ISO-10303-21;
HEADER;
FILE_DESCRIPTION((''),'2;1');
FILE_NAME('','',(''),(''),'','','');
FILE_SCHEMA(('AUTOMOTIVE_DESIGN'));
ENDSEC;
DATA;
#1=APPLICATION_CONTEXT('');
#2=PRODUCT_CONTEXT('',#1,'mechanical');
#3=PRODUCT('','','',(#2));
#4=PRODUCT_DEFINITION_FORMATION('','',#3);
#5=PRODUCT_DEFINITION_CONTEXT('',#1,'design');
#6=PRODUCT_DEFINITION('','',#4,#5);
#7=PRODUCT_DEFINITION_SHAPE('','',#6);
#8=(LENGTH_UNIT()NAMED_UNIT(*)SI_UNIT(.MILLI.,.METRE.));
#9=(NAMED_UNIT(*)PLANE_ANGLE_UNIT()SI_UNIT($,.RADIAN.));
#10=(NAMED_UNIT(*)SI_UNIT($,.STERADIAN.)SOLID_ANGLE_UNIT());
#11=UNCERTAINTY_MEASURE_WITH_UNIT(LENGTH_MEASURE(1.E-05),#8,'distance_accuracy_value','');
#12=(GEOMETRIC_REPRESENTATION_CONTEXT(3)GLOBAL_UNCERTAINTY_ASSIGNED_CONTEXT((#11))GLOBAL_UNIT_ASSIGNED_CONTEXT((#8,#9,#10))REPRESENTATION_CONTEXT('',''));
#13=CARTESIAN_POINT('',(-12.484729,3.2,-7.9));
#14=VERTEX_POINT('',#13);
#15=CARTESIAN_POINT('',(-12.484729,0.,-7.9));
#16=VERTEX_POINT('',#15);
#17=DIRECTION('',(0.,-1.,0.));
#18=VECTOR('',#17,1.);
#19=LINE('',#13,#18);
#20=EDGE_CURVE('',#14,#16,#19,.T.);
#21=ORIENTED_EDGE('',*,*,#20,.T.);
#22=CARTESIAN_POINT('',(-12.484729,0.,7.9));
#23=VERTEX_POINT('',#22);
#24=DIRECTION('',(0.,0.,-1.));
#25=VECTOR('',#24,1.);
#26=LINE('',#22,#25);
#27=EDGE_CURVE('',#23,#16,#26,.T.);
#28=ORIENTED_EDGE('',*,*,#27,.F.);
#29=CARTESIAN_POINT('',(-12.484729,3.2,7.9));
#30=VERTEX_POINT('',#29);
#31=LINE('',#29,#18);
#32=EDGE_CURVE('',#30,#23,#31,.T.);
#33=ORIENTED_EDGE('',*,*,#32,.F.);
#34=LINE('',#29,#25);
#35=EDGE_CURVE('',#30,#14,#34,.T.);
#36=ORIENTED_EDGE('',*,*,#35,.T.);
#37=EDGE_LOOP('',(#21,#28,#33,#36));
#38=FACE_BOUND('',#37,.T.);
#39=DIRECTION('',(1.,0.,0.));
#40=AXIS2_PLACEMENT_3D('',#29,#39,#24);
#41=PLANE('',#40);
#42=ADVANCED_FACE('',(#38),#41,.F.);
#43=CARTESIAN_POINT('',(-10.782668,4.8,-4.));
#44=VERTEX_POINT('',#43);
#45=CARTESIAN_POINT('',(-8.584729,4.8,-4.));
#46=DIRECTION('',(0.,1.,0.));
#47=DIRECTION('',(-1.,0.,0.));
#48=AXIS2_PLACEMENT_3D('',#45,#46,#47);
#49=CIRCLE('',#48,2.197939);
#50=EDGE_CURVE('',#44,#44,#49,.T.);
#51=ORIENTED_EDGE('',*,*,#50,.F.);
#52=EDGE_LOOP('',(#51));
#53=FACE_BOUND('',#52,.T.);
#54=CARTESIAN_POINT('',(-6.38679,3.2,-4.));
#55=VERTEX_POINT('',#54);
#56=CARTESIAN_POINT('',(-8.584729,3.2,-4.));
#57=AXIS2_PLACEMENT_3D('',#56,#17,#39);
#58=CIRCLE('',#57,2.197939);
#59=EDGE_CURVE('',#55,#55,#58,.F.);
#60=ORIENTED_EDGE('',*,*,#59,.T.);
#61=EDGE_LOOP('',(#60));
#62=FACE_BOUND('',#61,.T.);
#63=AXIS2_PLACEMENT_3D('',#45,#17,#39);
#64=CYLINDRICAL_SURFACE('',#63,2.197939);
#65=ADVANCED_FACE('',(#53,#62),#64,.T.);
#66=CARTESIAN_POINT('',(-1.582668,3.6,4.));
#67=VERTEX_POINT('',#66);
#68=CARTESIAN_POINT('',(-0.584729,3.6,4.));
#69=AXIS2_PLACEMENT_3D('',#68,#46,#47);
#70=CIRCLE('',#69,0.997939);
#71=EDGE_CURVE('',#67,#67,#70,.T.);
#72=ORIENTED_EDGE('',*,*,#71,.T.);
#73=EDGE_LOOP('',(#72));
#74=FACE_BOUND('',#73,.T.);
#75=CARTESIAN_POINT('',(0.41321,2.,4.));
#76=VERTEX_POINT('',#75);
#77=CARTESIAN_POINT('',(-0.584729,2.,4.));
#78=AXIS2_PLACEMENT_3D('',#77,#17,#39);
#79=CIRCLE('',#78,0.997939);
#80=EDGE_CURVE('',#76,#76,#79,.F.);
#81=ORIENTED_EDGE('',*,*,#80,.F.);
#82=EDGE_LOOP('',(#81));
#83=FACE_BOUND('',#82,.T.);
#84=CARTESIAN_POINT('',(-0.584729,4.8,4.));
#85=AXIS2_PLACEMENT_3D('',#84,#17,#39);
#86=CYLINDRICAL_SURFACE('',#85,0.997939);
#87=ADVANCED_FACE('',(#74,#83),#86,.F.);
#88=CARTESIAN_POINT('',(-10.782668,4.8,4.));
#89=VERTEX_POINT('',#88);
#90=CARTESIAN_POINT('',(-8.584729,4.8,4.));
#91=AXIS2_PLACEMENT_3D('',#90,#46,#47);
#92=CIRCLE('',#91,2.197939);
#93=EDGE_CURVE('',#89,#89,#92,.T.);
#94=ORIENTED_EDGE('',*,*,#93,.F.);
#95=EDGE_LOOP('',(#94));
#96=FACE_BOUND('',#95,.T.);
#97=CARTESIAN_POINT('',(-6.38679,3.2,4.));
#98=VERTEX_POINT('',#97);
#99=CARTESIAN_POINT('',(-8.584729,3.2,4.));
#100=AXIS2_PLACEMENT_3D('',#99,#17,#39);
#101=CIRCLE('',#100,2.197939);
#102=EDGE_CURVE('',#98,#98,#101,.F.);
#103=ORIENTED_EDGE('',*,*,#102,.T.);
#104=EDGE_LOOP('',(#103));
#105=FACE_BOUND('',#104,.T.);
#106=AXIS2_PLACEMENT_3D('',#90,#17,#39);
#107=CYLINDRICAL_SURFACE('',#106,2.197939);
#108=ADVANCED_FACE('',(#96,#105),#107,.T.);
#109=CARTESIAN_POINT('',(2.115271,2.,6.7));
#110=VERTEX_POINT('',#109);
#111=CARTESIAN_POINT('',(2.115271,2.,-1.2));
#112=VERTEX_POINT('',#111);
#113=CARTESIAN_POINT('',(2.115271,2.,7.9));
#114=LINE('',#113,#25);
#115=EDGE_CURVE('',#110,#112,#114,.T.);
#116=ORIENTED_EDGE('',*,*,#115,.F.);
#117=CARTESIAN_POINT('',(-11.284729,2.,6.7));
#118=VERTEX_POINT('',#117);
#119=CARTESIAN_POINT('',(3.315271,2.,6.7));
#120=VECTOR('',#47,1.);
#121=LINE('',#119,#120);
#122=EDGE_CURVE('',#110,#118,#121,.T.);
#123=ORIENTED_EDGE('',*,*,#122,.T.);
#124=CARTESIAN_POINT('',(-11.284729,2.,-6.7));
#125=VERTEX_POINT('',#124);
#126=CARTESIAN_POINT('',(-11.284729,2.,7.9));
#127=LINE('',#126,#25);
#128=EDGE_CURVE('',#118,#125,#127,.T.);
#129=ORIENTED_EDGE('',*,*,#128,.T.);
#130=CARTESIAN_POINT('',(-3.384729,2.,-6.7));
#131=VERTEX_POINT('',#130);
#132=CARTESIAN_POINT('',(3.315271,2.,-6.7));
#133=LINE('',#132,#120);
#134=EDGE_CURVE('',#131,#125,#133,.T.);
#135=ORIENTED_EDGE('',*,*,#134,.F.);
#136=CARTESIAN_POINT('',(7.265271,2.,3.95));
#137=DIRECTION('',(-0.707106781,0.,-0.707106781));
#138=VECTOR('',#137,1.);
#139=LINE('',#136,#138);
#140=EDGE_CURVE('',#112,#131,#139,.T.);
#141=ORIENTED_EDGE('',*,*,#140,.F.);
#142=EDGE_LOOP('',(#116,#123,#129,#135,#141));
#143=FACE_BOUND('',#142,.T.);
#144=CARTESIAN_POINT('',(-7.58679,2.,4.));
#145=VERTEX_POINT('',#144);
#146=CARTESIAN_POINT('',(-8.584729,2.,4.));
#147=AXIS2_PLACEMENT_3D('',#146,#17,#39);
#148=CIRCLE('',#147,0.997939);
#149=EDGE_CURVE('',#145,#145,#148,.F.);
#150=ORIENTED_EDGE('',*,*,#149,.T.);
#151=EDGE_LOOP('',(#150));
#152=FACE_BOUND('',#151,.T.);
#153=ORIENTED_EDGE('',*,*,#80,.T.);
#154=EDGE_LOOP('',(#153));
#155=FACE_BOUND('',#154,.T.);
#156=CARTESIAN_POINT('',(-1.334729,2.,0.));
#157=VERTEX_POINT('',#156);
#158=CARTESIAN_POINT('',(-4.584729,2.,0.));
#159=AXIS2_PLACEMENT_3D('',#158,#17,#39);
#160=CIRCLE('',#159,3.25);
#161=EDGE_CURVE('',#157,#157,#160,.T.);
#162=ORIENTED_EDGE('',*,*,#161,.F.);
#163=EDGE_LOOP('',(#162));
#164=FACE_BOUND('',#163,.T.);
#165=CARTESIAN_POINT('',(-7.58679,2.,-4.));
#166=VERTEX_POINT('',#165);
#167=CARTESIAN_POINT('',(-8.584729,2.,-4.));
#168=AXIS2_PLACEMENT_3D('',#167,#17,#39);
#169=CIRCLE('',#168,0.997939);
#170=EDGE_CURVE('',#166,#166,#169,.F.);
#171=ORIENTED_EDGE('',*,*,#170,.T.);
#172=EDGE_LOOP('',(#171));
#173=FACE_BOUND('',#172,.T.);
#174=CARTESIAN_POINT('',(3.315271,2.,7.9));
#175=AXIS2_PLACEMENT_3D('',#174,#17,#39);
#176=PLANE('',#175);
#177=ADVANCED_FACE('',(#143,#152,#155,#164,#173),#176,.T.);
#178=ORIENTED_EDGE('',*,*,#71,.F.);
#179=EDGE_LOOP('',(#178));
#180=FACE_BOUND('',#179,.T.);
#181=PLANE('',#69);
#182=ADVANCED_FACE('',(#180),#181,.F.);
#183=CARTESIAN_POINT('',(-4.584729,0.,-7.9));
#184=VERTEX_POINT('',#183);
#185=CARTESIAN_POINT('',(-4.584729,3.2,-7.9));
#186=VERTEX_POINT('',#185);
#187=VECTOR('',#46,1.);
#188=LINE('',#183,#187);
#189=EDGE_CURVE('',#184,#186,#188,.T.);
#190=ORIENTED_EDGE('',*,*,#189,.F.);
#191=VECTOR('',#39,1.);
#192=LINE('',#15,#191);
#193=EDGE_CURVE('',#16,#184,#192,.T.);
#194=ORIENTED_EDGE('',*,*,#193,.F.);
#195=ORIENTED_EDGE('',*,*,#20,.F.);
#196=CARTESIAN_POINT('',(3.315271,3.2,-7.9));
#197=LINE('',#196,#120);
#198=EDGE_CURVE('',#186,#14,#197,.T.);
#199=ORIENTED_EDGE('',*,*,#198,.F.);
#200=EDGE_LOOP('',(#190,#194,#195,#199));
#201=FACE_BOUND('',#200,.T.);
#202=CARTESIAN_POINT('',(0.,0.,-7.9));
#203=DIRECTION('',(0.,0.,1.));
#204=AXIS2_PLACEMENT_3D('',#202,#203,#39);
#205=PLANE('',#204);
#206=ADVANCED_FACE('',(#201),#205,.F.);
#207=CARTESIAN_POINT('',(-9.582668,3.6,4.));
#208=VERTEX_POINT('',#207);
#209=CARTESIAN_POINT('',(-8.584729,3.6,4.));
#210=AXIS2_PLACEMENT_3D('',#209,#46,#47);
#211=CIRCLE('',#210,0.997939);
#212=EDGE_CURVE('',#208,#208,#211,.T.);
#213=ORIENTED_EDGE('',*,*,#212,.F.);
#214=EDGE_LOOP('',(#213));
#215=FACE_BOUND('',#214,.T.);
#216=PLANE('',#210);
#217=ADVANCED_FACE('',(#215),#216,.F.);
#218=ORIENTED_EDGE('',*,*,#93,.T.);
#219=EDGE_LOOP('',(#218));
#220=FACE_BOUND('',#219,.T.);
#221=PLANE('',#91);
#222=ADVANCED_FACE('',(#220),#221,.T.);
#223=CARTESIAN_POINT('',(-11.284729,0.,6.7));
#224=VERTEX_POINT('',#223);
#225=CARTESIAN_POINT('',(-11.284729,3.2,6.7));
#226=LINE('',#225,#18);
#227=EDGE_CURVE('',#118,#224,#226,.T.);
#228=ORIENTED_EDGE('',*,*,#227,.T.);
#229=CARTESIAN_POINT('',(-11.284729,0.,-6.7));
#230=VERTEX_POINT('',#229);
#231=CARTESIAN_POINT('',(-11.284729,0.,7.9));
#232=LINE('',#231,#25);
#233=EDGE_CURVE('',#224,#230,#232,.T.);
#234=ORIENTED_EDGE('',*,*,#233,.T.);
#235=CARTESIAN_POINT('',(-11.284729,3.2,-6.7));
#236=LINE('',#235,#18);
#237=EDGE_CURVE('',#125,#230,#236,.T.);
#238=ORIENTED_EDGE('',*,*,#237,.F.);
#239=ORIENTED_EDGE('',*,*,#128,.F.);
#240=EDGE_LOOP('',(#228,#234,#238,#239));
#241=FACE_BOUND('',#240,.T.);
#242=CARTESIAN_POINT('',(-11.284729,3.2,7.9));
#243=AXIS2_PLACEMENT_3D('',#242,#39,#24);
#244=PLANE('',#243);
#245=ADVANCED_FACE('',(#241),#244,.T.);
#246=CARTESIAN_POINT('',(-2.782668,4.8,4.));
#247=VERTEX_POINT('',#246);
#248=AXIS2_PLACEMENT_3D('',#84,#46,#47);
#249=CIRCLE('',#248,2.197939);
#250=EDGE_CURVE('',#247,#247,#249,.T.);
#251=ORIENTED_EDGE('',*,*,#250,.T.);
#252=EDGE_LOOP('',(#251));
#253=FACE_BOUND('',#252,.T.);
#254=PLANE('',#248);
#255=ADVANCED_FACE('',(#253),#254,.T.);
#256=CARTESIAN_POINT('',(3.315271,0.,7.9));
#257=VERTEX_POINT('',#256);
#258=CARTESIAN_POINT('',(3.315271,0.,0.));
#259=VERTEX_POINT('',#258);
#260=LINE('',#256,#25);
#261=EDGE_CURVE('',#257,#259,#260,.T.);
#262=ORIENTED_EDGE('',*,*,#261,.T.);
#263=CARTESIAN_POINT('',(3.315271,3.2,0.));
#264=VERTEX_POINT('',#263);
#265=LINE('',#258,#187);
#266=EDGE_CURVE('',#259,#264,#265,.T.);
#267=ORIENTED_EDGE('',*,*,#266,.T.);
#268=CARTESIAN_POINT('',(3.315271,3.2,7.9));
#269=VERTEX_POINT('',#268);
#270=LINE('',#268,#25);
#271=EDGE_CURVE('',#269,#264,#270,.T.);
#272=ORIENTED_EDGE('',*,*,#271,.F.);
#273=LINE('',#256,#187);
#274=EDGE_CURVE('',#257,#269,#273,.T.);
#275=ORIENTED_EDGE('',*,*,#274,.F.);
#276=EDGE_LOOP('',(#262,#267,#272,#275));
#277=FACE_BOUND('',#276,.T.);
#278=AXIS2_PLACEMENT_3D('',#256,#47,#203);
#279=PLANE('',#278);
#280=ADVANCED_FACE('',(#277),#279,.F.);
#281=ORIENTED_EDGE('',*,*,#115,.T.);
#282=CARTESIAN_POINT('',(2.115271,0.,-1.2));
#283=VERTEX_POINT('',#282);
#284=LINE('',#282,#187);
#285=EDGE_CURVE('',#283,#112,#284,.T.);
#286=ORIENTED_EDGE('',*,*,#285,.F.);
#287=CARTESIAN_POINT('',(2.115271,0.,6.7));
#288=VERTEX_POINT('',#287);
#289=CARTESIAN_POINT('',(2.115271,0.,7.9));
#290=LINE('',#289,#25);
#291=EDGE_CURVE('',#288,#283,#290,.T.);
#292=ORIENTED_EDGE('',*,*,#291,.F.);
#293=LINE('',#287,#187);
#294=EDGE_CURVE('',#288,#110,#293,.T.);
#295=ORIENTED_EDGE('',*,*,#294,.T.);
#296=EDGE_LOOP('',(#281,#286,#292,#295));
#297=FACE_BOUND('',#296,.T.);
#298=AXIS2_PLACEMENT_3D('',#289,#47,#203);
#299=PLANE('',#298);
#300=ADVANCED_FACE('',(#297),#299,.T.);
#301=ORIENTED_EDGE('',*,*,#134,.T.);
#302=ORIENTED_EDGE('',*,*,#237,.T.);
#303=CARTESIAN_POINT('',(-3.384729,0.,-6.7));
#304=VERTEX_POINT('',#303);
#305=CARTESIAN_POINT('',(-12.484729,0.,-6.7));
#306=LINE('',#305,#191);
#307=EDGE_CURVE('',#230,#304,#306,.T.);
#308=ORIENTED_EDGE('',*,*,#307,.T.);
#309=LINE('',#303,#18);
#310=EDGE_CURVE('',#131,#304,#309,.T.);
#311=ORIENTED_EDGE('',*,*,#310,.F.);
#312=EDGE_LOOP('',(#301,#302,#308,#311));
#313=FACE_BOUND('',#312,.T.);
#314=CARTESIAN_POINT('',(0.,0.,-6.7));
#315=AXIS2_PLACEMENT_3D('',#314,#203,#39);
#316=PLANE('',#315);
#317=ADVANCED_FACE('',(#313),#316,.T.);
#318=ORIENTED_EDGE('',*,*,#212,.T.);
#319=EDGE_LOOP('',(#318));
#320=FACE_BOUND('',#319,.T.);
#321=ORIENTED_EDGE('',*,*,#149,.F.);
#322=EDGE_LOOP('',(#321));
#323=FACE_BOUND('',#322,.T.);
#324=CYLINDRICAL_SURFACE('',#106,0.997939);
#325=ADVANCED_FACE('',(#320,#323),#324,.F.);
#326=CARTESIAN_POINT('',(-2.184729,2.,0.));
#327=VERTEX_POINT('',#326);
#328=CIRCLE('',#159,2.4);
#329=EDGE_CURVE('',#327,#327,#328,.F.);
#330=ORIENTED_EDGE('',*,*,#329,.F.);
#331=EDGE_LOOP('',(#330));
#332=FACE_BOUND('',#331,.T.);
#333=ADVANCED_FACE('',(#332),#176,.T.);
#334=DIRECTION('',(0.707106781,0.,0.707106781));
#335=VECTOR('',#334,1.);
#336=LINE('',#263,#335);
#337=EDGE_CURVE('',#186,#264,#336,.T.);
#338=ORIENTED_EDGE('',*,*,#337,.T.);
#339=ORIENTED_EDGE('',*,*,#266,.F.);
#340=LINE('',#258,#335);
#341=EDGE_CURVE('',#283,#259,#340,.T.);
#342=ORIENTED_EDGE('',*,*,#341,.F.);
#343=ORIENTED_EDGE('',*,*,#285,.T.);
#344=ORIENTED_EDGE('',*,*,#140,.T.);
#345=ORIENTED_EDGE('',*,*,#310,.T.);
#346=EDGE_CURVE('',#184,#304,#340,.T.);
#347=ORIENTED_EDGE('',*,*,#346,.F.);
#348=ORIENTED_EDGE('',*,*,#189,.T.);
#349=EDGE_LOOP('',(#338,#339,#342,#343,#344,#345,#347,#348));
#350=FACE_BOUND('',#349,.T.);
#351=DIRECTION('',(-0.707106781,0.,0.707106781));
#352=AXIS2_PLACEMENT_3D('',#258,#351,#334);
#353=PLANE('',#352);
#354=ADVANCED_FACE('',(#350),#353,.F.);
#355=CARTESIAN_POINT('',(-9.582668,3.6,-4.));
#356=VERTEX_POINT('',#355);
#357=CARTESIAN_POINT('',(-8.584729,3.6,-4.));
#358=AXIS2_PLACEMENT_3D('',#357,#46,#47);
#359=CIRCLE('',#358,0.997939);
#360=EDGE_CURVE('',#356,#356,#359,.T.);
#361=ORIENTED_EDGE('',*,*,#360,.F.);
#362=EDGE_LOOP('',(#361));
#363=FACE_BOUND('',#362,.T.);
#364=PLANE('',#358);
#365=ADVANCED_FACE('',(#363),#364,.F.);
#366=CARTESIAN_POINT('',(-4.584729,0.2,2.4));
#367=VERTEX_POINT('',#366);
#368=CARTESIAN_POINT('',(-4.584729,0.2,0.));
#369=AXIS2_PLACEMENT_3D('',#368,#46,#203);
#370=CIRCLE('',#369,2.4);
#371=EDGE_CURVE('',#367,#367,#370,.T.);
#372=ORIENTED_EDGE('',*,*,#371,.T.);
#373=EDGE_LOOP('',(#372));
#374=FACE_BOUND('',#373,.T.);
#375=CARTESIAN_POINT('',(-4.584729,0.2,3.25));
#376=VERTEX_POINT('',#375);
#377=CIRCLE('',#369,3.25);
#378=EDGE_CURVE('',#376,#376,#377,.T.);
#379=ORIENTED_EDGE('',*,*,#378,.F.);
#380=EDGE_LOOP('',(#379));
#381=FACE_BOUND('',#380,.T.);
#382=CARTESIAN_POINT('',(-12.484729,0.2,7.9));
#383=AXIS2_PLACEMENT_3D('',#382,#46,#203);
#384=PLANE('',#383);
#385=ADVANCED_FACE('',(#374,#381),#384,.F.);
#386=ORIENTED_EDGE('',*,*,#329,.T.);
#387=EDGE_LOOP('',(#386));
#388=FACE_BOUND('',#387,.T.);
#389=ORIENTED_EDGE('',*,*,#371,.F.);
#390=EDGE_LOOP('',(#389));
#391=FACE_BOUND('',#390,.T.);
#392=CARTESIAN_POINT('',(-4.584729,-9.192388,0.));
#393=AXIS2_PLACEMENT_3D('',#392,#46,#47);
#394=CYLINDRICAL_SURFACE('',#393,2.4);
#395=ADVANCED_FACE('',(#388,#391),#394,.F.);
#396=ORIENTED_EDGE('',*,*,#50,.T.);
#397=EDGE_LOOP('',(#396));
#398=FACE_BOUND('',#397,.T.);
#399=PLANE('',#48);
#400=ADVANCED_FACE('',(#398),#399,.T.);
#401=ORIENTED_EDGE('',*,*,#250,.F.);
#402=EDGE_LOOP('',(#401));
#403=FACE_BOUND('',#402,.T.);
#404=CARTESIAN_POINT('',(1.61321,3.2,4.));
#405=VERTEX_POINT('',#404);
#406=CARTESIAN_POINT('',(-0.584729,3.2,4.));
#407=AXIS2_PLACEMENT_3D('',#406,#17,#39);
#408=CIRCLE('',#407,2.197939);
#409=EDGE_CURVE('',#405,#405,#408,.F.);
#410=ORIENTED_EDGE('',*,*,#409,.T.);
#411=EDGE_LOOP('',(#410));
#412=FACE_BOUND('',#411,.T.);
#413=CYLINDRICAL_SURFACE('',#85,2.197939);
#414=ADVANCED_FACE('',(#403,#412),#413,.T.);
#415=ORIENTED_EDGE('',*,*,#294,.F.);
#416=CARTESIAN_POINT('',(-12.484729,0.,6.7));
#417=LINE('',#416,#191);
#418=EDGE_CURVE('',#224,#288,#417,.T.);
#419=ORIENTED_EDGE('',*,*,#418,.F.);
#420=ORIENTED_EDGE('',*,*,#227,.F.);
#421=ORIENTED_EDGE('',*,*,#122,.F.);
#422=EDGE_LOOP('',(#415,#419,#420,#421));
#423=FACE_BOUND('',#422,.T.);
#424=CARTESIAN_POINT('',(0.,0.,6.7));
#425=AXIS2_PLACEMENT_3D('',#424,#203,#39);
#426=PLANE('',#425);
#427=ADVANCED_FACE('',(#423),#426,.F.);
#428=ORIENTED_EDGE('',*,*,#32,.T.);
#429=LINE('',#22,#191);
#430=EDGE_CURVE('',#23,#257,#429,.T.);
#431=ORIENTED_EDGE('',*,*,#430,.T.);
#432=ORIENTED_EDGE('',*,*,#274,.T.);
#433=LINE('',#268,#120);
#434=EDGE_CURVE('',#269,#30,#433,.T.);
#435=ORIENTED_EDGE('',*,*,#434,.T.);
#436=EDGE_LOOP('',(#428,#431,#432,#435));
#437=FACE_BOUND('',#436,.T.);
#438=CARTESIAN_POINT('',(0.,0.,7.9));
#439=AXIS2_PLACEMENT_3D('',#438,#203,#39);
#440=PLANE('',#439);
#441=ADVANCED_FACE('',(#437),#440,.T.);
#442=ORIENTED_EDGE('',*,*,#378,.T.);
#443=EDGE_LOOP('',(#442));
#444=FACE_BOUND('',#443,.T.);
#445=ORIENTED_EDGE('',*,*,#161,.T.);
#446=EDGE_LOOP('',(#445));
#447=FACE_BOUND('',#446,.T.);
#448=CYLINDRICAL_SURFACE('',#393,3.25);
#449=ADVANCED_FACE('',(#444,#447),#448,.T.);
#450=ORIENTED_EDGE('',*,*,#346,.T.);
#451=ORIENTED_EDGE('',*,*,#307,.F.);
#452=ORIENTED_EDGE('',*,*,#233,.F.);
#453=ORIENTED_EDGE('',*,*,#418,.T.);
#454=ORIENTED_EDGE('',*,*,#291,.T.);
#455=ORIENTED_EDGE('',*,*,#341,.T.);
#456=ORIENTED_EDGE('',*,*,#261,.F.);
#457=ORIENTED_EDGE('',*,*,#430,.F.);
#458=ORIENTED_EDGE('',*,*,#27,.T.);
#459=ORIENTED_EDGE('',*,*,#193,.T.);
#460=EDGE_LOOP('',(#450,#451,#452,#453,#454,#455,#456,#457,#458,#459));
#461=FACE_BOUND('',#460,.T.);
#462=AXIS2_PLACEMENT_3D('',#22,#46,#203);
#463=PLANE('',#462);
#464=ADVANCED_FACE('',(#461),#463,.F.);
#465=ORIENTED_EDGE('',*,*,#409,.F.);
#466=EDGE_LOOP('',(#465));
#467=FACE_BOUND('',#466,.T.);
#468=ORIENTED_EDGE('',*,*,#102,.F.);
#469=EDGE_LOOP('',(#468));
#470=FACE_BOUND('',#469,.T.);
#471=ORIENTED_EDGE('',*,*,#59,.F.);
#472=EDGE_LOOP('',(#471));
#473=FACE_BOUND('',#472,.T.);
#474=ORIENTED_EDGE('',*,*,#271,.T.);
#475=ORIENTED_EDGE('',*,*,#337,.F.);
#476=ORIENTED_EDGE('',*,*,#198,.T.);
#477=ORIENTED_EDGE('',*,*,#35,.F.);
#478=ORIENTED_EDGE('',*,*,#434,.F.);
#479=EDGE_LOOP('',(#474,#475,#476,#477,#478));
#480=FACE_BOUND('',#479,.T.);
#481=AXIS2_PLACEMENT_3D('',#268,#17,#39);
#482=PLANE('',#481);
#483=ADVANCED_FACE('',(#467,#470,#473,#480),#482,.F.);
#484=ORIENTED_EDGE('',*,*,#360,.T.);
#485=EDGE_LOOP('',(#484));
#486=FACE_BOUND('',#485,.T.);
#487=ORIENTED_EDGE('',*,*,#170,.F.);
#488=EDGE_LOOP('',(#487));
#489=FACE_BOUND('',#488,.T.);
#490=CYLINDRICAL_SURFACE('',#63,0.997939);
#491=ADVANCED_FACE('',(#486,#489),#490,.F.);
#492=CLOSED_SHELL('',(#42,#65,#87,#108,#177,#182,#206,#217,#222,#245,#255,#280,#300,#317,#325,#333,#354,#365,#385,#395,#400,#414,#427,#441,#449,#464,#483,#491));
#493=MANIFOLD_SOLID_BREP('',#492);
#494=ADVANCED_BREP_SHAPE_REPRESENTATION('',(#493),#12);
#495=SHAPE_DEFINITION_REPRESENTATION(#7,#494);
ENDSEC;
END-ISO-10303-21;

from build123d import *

# Parameters (mm, degrees)
BASEFRAMESKETCH_W           = 15.8
BASEFRAMESKETCH_H           = 3.2
BASEFRAME_DEPTH             = 7.9
STUDSSKETCH_R               = 2.197938665
STUDS_DEPTH                 = 1.6
MAINSTUDSPATTERN_COUNT      = 2
MAINSTUDSPATTERN_PITCH      = 8
MAINSTUDSPATTERN_COUNT_DIR2 = 2
MAINSTUDSPATTERN_PITCH_DIR2 = 8
MAINBASESHELL_T             = -1.2
UNDERCIRCLESKETCH_R         = 3.25
UNDERCIRCLESKETCH_R_2       = 2.4
UNDERCIRCLEEXTRUDE_DEPTH    = 1.8
CUT_EXTRUDE42_DEPTH         = 16.116827041
SKETCH116_R                 = 2.316021132
CUT_EXTRUDE43_DEPTH         = 5
BOSS_EXTRUDE26_START        = -1.2
BOSS_EXTRUDE26_DEPTH        = 1.2


with BuildPart() as part:
    # BaseFrameSketch → BaseFrame (new, symmetric)
    with BuildSketch(Plane.XY):
        with Locations((-4.584729064, 1.6)):
            Rectangle(BASEFRAMESKETCH_W, BASEFRAMESKETCH_H)
    extrude(amount=BASEFRAME_DEPTH, both=True)

    # StudsSketch → Studs (add)
    with BuildSketch(Plane(origin=(0, 3.2, 0), x_dir=(1, 0, 0), z_dir=(0, 1, 0))):
        with Locations((-8.584729064, 4)):
            Circle(STUDSSKETCH_R)
    studs = extrude(amount=STUDS_DEPTH)

    # MainStudsPattern: Studs 2 × 2
    with Locations(*[(i * MAINSTUDSPATTERN_PITCH, 0, j * MAINSTUDSPATTERN_PITCH_DIR2) for i in range(MAINSTUDSPATTERN_COUNT) for j in range(MAINSTUDSPATTERN_COUNT_DIR2) if (i, j) != (0, 0)]):
        add(studs)

    # MainBaseShell
    mainbaseshell_openings = [part.faces().sort_by_distance(p)[0] for p in [
        (-4.584729064, 0, 0),
    ]]
    offset(amount=MAINBASESHELL_T, openings=mainbaseshell_openings, kind=Kind.INTERSECTION)

    # UnderCircleSketch → UnderCircleExtrude (add)
    with BuildSketch(Plane(origin=(0, 2, 0), x_dir=(-1, 0, 0), z_dir=(0, -1, 0))):
        with Locations(Location((4.584729064, 0, 0), (0, 0, 270))):
            Circle(UNDERCIRCLESKETCH_R)
        with Locations(Location((4.584729064, 0, 0), (0, 0, 270))):
            Circle(UNDERCIRCLESKETCH_R_2, mode=Mode.SUBTRACT)
    extrude(amount=UNDERCIRCLEEXTRUDE_DEPTH)

    # Sketch115 → Cut-Extrude42 (cut, through all)
    with BuildSketch(Plane(origin=(0, 3.2, 0), x_dir=(1, 0, 0), z_dir=(0, 1, 0))):
        Polygon((-4.584729064, 7.9), (3.315270936, 7.9), (3.315270936, 0), align=None)
    extrude(amount=-CUT_EXTRUDE42_DEPTH, mode=Mode.SUBTRACT)

    # Sketch116 → Cut-Extrude43 (cut)
    with BuildSketch(Plane(origin=(0, 3.2, 0), x_dir=(1, 0, 0), z_dir=(0, 1, 0))):
        with Locations((-0.622263627, 3.930816352)):
            Circle(SKETCH116_R)
    extrude(amount=CUT_EXTRUDE43_DEPTH, mode=Mode.SUBTRACT)

    # Sketch117 → Boss-Extrude26 (add)
    with BuildSketch(Plane(origin=(0, 3.2, 0), x_dir=(1, 0, 0), z_dir=(0, 1, 0)).offset(BOSS_EXTRUDE26_START)):
        with BuildLine():
            Line((-1.338604614, 4.65387555), (0.069146486, 3.24612445))
            ThreePointArc((0.069146486, 3.24612445), (-1.290378261, 3.294350803), (-1.338604614, 4.65387555))
        make_face()
    extrude(amount=BOSS_EXTRUDE26_DEPTH)


solid = part.part
